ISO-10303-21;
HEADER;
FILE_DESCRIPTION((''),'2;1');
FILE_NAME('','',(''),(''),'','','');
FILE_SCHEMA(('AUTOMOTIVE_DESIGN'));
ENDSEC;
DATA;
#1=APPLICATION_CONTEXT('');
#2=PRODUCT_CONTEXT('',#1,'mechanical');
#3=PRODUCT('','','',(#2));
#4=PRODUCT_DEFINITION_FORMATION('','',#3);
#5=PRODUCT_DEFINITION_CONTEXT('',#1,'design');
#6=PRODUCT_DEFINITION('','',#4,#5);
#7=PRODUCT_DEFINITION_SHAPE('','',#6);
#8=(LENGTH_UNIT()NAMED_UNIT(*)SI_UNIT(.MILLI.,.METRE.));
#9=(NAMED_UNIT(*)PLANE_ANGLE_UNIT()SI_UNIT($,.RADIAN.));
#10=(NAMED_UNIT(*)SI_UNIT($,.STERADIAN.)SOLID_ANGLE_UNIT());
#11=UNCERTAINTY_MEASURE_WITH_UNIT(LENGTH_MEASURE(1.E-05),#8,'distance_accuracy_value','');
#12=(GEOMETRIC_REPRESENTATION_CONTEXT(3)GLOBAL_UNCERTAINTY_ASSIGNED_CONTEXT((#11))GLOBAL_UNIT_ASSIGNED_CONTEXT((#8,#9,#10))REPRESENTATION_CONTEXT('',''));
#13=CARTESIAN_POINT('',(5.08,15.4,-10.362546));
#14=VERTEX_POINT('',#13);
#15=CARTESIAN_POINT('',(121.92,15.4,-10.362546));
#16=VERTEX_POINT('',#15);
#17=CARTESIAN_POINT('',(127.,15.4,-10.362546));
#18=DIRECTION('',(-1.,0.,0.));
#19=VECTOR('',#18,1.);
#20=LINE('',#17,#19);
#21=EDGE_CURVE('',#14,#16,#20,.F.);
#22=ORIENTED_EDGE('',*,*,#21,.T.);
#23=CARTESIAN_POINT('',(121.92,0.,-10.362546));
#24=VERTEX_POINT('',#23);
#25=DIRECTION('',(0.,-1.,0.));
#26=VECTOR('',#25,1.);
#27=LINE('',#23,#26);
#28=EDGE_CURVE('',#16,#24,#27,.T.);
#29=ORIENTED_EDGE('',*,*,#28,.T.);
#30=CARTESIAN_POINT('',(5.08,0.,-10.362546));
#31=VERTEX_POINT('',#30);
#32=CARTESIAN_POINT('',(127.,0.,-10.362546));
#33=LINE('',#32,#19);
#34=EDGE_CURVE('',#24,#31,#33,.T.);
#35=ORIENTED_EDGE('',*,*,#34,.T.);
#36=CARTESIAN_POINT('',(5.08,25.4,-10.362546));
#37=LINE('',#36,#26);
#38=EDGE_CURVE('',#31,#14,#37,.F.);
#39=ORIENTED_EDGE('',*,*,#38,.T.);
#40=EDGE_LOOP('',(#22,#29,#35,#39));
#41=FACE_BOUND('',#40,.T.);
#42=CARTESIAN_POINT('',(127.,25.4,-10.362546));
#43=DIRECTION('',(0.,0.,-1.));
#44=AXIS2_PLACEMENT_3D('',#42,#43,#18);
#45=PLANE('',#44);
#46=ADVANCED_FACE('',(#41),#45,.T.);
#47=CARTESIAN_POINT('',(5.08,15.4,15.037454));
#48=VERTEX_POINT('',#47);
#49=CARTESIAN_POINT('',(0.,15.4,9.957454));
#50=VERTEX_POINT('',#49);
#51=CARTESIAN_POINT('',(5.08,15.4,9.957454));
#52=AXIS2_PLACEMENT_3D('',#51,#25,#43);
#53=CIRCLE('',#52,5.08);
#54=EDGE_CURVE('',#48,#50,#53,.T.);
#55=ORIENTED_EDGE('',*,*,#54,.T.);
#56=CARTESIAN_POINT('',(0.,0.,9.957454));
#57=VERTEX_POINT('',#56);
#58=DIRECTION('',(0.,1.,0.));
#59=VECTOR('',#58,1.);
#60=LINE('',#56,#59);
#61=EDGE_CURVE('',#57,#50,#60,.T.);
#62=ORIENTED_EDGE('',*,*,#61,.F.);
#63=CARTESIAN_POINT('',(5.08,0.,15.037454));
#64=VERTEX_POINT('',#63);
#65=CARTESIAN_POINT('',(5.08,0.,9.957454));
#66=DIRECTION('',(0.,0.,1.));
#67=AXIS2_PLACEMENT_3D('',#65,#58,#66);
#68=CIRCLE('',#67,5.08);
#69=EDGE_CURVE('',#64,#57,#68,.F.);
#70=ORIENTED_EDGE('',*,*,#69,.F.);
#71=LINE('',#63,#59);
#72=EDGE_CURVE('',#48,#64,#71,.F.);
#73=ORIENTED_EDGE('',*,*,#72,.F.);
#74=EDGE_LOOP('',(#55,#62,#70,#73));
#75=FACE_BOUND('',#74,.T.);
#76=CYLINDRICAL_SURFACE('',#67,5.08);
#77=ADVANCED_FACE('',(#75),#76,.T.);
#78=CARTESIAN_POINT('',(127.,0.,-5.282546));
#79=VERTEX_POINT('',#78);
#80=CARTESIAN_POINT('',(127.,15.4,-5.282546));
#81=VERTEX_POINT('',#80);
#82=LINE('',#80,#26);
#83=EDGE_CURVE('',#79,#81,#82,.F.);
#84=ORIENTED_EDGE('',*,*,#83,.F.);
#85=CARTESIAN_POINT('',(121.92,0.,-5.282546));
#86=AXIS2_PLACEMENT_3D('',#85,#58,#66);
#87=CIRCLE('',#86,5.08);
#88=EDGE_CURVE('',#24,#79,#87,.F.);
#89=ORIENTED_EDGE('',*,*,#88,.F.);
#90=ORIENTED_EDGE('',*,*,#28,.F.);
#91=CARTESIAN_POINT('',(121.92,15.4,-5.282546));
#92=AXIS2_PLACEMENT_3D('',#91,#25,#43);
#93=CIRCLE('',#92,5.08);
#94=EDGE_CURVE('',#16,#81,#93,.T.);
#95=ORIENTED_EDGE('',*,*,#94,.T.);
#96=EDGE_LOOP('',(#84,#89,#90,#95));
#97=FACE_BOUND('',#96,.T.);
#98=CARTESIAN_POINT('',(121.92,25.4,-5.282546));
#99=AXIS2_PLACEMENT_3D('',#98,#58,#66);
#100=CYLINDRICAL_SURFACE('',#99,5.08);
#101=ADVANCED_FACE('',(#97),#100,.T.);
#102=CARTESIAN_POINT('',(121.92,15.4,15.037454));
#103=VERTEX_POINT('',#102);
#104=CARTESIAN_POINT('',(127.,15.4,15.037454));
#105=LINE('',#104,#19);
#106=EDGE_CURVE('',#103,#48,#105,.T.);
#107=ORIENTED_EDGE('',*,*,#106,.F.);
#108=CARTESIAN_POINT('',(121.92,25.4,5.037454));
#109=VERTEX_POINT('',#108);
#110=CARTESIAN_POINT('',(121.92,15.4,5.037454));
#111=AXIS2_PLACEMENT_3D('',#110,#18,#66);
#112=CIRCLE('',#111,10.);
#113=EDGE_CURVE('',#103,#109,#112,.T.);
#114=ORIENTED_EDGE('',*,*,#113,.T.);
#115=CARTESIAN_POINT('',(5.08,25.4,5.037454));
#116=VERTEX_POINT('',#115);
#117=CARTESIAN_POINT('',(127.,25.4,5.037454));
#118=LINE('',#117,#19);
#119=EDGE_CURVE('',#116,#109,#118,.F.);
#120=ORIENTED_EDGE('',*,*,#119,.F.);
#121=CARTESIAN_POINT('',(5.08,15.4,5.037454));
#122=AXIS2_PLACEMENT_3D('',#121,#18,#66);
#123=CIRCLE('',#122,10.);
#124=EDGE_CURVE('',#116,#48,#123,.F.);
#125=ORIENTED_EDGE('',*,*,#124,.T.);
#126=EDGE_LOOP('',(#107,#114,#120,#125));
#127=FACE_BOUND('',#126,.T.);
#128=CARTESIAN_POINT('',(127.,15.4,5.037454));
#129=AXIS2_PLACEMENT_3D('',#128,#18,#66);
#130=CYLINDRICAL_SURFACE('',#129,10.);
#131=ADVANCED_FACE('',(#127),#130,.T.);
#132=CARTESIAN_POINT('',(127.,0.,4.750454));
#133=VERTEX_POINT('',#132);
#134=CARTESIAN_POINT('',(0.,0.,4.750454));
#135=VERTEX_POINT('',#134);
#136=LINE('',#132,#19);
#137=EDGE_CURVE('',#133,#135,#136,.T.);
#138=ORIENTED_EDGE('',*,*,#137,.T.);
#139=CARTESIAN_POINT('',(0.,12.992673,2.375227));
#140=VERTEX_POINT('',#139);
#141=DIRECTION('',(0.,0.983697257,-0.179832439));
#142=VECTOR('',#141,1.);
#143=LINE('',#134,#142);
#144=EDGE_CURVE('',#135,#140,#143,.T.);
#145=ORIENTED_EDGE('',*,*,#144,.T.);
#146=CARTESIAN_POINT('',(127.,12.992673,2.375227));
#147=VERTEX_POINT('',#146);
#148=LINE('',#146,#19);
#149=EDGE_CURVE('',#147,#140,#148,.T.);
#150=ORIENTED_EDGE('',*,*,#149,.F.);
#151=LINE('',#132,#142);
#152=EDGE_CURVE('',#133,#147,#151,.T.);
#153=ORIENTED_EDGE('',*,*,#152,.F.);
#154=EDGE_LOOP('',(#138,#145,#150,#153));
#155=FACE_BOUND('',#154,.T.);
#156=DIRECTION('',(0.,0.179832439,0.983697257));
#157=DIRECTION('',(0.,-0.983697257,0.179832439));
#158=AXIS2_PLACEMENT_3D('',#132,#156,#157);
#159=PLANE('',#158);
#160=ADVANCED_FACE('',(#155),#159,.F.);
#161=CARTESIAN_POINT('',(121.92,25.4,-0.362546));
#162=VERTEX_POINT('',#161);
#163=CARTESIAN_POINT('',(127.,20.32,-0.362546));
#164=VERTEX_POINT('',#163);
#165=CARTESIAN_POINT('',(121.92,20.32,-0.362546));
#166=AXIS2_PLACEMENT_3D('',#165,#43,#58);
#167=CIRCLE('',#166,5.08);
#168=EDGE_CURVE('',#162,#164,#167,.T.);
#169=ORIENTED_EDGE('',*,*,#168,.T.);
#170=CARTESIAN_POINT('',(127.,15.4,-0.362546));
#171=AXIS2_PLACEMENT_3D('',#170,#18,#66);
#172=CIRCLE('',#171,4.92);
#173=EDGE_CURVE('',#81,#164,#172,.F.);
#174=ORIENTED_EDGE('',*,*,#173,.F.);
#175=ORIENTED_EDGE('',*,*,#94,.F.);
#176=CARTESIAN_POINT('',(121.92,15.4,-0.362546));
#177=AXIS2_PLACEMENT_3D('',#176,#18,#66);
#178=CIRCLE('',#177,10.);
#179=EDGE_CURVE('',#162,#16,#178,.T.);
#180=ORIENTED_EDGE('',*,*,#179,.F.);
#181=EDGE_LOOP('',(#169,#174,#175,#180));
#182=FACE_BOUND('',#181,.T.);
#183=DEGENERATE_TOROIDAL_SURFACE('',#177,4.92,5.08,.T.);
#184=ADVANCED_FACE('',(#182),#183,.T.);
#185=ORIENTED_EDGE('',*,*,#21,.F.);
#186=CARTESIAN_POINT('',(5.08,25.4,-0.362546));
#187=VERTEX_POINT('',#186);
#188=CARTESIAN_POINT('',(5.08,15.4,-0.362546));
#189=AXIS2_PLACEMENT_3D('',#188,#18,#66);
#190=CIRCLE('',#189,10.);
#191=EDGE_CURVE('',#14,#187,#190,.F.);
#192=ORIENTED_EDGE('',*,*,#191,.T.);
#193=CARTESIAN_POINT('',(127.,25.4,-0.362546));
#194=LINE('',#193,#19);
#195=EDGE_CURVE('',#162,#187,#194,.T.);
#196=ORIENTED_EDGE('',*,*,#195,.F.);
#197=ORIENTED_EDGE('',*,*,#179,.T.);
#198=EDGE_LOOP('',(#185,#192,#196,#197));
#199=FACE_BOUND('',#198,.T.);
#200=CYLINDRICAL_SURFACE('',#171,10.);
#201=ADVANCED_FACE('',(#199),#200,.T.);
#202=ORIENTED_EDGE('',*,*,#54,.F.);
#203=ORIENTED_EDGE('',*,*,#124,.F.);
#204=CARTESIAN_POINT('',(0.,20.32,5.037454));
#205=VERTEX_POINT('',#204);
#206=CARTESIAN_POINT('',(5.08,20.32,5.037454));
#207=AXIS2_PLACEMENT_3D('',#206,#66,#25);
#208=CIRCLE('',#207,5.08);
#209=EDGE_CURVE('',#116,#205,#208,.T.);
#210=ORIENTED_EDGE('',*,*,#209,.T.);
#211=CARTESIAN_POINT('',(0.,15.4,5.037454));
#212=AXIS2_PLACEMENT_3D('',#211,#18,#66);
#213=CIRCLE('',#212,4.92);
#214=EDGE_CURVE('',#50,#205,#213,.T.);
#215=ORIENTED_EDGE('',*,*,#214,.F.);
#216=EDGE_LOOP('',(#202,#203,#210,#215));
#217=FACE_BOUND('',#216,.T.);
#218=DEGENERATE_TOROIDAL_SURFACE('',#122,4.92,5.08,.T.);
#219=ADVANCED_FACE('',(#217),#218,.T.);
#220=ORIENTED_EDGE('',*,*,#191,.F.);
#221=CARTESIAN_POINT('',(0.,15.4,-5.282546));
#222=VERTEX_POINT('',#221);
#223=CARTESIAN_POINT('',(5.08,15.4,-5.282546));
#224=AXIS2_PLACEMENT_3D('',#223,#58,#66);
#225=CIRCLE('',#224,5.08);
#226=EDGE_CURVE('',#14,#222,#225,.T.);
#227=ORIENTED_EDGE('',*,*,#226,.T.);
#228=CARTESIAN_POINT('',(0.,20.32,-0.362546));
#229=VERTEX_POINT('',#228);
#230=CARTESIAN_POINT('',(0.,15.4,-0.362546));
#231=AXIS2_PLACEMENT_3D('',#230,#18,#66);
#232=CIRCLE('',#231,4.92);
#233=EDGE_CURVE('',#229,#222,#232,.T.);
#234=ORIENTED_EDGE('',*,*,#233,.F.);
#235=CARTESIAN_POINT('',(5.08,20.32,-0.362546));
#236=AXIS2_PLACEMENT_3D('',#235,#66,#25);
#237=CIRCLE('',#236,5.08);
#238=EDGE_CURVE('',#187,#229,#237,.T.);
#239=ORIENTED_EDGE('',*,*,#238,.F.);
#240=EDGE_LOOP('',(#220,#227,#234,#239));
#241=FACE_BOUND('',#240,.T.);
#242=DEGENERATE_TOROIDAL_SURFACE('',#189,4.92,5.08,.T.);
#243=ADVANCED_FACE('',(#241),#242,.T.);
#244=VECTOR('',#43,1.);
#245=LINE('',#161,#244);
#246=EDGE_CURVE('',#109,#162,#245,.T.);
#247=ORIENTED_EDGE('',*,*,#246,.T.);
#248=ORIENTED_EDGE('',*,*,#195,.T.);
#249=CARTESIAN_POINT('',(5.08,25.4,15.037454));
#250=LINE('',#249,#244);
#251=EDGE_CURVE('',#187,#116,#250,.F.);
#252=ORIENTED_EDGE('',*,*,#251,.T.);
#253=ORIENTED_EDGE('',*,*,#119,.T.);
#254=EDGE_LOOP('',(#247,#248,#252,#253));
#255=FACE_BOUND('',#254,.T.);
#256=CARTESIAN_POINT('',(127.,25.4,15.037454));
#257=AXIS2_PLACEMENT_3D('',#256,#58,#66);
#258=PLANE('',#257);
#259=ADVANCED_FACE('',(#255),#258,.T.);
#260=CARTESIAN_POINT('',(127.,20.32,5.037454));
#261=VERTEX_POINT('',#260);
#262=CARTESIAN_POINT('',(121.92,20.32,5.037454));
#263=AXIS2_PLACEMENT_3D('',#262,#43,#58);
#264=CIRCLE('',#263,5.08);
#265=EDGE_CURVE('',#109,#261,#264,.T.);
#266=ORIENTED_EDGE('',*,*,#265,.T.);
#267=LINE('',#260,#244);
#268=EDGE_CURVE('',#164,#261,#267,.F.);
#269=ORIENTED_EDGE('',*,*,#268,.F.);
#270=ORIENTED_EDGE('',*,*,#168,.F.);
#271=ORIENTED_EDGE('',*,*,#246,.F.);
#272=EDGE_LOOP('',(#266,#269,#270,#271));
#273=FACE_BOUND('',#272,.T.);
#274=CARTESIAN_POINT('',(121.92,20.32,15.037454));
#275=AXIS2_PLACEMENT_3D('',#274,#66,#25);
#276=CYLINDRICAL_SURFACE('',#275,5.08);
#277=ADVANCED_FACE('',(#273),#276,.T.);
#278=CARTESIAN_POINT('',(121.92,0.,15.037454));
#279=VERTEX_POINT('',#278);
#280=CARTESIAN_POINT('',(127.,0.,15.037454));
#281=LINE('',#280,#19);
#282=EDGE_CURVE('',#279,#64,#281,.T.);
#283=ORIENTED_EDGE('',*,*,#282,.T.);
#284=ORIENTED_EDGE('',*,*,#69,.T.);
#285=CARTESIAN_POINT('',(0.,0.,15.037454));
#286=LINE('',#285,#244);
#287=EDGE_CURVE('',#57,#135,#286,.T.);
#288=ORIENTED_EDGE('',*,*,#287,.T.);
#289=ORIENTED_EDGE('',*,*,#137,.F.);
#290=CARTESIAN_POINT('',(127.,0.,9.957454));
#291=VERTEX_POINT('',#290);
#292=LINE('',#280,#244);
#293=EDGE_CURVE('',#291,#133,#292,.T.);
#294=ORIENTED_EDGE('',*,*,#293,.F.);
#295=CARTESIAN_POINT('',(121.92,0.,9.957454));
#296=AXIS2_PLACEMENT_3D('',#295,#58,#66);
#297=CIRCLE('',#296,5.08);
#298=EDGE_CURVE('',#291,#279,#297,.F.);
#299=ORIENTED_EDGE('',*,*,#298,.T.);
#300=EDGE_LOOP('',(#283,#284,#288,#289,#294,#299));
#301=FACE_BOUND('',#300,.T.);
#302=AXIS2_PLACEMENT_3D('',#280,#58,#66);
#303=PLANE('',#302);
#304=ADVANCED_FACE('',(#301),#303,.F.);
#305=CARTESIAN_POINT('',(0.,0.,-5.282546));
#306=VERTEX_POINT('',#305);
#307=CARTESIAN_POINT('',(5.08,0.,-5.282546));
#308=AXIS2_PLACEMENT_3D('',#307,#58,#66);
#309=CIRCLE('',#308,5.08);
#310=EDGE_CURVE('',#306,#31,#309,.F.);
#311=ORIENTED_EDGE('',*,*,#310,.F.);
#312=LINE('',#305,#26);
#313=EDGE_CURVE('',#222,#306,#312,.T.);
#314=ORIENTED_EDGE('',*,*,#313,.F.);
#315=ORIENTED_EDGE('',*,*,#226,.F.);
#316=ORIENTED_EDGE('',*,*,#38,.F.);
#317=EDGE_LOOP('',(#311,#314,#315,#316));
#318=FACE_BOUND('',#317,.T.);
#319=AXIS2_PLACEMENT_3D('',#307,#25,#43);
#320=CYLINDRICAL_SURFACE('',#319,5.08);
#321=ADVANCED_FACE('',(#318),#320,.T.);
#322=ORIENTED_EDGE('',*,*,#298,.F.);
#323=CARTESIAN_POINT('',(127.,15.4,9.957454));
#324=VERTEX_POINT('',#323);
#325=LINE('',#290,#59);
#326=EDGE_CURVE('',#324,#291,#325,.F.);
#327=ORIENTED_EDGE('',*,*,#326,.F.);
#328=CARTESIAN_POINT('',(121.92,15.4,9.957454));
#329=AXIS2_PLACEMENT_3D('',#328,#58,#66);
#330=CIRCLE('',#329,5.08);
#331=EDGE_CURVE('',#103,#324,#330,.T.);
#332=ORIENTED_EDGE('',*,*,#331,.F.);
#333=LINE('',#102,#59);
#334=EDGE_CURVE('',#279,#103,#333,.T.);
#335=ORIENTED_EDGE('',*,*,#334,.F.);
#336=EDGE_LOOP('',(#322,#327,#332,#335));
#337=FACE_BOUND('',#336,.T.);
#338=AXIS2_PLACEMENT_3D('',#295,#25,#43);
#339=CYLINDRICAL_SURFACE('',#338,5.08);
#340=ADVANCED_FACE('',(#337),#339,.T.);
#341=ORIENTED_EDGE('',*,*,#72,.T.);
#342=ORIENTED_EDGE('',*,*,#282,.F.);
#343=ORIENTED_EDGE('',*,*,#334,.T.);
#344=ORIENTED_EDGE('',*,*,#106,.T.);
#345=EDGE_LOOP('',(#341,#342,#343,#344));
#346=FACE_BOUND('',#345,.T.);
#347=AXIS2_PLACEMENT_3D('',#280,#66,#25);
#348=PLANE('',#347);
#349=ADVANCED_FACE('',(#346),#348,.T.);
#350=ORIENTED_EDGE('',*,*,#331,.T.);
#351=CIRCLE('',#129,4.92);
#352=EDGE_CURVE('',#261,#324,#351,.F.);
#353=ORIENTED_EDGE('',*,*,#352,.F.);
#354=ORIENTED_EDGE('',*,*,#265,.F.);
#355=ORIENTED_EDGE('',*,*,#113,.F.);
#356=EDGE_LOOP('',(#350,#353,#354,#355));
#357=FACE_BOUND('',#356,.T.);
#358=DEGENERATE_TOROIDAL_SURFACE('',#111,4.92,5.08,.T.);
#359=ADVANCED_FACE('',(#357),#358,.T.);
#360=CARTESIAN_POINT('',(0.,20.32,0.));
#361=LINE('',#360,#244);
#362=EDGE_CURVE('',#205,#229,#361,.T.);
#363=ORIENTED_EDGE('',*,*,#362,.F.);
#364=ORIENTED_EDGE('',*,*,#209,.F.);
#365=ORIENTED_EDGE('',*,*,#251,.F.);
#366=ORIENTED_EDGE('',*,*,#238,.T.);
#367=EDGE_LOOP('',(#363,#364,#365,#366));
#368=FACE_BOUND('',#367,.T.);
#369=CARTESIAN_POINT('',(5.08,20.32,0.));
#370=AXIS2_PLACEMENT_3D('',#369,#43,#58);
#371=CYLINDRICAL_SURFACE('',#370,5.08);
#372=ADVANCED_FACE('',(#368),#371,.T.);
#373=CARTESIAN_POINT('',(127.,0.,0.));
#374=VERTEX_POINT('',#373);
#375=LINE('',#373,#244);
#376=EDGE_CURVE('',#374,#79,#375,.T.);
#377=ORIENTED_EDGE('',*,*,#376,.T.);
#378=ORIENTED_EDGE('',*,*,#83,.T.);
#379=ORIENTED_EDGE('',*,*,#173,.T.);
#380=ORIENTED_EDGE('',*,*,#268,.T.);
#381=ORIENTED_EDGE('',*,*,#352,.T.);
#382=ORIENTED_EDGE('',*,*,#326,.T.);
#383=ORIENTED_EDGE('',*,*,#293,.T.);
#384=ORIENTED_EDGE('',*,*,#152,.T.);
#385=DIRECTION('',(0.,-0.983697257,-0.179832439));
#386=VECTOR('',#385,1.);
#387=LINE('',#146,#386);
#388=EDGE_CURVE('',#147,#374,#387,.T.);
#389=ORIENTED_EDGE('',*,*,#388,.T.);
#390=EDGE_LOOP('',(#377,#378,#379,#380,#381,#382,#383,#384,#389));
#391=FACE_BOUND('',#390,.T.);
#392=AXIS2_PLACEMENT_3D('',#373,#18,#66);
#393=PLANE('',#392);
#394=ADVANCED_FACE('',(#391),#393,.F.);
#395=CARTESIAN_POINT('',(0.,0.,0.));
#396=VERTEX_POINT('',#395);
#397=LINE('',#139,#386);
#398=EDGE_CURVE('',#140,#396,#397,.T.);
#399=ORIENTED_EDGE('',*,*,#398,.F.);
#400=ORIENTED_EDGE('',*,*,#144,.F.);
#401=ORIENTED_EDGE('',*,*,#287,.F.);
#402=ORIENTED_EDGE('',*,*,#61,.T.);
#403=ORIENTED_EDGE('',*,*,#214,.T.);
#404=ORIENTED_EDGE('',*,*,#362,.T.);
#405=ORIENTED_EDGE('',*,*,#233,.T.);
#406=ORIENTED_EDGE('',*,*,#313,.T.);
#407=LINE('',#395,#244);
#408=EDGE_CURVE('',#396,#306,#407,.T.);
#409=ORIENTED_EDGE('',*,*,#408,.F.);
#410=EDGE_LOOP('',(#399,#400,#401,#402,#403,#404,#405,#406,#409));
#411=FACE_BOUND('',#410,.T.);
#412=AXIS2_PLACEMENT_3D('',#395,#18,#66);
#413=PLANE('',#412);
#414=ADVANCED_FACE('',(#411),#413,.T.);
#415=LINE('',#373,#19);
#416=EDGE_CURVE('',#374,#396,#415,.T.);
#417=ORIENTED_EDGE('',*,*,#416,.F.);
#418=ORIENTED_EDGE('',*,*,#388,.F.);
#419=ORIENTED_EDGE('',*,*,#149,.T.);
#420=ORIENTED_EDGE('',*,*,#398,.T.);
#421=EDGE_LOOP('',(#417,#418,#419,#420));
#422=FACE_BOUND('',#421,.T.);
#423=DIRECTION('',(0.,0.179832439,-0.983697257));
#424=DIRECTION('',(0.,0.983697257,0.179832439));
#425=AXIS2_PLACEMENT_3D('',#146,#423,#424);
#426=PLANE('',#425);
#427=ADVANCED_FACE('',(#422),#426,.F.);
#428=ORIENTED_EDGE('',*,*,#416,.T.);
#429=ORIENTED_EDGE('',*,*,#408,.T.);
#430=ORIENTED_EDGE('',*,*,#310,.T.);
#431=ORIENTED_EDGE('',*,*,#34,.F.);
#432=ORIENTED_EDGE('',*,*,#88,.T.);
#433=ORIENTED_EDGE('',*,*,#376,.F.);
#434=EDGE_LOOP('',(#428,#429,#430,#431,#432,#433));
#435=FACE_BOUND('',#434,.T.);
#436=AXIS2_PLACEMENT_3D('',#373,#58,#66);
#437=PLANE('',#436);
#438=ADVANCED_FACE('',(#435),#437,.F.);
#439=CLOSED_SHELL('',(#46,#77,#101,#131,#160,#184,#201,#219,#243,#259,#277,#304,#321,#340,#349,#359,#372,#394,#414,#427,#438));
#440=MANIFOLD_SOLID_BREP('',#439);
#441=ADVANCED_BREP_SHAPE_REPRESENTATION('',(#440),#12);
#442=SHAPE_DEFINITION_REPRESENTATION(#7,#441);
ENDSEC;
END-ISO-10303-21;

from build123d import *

# Parameters (mm, degrees)
BOSS_EXTRUDE1_DEPTH = 127
FILLET3_R           = 10
FILLET4_R           = 5.08


with BuildPart() as part:
    # Sketch1 → Boss-Extrude1 (new body)
    with BuildSketch(Plane(origin=(0, 0, 0), x_dir=(0, 0, -1), z_dir=(1, 0, 0))):
        Polygon((-4.750453706, 0), (-2.375226853, 12.992673374), (0, 0), (10.362546294, 0), (10.362546294, 25.4), (-15.037453706, 25.4), (-15.037453706, 0), align=None)
    extrude(amount=BOSS_EXTRUDE1_DEPTH)

    # Fillet3
    fillet3_edges = [part.edges().sort_by_distance(p)[0] for p in [
        (63.5, 25.4, 15.037453706),
        (63.5, 25.4, -10.362546294),
    ]]
    fillet(fillet3_edges, radius=FILLET3_R)

    # Fillet4
    fillet4_edges = [part.edges().sort_by_distance(p)[0] for p in [
        (0, 25.4, 2.337453706),
        (0, 7.7, -10.362546294),
        (0, 22.471067812, -7.433614106),
        (0, 22.471067812, 12.108521518),
        (127, 25.4, 2.337453706),
        (127, 7.7, -10.362546294),
        (127, 22.471067812, -7.433614106),
        (127, 22.471067812, 12.108521518),
        (127, 7.7, 15.037453706),
        (0, 7.7, 15.037453706),
    ]]
    fillet(fillet4_edges, radius=FILLET4_R)


solid = part.part
